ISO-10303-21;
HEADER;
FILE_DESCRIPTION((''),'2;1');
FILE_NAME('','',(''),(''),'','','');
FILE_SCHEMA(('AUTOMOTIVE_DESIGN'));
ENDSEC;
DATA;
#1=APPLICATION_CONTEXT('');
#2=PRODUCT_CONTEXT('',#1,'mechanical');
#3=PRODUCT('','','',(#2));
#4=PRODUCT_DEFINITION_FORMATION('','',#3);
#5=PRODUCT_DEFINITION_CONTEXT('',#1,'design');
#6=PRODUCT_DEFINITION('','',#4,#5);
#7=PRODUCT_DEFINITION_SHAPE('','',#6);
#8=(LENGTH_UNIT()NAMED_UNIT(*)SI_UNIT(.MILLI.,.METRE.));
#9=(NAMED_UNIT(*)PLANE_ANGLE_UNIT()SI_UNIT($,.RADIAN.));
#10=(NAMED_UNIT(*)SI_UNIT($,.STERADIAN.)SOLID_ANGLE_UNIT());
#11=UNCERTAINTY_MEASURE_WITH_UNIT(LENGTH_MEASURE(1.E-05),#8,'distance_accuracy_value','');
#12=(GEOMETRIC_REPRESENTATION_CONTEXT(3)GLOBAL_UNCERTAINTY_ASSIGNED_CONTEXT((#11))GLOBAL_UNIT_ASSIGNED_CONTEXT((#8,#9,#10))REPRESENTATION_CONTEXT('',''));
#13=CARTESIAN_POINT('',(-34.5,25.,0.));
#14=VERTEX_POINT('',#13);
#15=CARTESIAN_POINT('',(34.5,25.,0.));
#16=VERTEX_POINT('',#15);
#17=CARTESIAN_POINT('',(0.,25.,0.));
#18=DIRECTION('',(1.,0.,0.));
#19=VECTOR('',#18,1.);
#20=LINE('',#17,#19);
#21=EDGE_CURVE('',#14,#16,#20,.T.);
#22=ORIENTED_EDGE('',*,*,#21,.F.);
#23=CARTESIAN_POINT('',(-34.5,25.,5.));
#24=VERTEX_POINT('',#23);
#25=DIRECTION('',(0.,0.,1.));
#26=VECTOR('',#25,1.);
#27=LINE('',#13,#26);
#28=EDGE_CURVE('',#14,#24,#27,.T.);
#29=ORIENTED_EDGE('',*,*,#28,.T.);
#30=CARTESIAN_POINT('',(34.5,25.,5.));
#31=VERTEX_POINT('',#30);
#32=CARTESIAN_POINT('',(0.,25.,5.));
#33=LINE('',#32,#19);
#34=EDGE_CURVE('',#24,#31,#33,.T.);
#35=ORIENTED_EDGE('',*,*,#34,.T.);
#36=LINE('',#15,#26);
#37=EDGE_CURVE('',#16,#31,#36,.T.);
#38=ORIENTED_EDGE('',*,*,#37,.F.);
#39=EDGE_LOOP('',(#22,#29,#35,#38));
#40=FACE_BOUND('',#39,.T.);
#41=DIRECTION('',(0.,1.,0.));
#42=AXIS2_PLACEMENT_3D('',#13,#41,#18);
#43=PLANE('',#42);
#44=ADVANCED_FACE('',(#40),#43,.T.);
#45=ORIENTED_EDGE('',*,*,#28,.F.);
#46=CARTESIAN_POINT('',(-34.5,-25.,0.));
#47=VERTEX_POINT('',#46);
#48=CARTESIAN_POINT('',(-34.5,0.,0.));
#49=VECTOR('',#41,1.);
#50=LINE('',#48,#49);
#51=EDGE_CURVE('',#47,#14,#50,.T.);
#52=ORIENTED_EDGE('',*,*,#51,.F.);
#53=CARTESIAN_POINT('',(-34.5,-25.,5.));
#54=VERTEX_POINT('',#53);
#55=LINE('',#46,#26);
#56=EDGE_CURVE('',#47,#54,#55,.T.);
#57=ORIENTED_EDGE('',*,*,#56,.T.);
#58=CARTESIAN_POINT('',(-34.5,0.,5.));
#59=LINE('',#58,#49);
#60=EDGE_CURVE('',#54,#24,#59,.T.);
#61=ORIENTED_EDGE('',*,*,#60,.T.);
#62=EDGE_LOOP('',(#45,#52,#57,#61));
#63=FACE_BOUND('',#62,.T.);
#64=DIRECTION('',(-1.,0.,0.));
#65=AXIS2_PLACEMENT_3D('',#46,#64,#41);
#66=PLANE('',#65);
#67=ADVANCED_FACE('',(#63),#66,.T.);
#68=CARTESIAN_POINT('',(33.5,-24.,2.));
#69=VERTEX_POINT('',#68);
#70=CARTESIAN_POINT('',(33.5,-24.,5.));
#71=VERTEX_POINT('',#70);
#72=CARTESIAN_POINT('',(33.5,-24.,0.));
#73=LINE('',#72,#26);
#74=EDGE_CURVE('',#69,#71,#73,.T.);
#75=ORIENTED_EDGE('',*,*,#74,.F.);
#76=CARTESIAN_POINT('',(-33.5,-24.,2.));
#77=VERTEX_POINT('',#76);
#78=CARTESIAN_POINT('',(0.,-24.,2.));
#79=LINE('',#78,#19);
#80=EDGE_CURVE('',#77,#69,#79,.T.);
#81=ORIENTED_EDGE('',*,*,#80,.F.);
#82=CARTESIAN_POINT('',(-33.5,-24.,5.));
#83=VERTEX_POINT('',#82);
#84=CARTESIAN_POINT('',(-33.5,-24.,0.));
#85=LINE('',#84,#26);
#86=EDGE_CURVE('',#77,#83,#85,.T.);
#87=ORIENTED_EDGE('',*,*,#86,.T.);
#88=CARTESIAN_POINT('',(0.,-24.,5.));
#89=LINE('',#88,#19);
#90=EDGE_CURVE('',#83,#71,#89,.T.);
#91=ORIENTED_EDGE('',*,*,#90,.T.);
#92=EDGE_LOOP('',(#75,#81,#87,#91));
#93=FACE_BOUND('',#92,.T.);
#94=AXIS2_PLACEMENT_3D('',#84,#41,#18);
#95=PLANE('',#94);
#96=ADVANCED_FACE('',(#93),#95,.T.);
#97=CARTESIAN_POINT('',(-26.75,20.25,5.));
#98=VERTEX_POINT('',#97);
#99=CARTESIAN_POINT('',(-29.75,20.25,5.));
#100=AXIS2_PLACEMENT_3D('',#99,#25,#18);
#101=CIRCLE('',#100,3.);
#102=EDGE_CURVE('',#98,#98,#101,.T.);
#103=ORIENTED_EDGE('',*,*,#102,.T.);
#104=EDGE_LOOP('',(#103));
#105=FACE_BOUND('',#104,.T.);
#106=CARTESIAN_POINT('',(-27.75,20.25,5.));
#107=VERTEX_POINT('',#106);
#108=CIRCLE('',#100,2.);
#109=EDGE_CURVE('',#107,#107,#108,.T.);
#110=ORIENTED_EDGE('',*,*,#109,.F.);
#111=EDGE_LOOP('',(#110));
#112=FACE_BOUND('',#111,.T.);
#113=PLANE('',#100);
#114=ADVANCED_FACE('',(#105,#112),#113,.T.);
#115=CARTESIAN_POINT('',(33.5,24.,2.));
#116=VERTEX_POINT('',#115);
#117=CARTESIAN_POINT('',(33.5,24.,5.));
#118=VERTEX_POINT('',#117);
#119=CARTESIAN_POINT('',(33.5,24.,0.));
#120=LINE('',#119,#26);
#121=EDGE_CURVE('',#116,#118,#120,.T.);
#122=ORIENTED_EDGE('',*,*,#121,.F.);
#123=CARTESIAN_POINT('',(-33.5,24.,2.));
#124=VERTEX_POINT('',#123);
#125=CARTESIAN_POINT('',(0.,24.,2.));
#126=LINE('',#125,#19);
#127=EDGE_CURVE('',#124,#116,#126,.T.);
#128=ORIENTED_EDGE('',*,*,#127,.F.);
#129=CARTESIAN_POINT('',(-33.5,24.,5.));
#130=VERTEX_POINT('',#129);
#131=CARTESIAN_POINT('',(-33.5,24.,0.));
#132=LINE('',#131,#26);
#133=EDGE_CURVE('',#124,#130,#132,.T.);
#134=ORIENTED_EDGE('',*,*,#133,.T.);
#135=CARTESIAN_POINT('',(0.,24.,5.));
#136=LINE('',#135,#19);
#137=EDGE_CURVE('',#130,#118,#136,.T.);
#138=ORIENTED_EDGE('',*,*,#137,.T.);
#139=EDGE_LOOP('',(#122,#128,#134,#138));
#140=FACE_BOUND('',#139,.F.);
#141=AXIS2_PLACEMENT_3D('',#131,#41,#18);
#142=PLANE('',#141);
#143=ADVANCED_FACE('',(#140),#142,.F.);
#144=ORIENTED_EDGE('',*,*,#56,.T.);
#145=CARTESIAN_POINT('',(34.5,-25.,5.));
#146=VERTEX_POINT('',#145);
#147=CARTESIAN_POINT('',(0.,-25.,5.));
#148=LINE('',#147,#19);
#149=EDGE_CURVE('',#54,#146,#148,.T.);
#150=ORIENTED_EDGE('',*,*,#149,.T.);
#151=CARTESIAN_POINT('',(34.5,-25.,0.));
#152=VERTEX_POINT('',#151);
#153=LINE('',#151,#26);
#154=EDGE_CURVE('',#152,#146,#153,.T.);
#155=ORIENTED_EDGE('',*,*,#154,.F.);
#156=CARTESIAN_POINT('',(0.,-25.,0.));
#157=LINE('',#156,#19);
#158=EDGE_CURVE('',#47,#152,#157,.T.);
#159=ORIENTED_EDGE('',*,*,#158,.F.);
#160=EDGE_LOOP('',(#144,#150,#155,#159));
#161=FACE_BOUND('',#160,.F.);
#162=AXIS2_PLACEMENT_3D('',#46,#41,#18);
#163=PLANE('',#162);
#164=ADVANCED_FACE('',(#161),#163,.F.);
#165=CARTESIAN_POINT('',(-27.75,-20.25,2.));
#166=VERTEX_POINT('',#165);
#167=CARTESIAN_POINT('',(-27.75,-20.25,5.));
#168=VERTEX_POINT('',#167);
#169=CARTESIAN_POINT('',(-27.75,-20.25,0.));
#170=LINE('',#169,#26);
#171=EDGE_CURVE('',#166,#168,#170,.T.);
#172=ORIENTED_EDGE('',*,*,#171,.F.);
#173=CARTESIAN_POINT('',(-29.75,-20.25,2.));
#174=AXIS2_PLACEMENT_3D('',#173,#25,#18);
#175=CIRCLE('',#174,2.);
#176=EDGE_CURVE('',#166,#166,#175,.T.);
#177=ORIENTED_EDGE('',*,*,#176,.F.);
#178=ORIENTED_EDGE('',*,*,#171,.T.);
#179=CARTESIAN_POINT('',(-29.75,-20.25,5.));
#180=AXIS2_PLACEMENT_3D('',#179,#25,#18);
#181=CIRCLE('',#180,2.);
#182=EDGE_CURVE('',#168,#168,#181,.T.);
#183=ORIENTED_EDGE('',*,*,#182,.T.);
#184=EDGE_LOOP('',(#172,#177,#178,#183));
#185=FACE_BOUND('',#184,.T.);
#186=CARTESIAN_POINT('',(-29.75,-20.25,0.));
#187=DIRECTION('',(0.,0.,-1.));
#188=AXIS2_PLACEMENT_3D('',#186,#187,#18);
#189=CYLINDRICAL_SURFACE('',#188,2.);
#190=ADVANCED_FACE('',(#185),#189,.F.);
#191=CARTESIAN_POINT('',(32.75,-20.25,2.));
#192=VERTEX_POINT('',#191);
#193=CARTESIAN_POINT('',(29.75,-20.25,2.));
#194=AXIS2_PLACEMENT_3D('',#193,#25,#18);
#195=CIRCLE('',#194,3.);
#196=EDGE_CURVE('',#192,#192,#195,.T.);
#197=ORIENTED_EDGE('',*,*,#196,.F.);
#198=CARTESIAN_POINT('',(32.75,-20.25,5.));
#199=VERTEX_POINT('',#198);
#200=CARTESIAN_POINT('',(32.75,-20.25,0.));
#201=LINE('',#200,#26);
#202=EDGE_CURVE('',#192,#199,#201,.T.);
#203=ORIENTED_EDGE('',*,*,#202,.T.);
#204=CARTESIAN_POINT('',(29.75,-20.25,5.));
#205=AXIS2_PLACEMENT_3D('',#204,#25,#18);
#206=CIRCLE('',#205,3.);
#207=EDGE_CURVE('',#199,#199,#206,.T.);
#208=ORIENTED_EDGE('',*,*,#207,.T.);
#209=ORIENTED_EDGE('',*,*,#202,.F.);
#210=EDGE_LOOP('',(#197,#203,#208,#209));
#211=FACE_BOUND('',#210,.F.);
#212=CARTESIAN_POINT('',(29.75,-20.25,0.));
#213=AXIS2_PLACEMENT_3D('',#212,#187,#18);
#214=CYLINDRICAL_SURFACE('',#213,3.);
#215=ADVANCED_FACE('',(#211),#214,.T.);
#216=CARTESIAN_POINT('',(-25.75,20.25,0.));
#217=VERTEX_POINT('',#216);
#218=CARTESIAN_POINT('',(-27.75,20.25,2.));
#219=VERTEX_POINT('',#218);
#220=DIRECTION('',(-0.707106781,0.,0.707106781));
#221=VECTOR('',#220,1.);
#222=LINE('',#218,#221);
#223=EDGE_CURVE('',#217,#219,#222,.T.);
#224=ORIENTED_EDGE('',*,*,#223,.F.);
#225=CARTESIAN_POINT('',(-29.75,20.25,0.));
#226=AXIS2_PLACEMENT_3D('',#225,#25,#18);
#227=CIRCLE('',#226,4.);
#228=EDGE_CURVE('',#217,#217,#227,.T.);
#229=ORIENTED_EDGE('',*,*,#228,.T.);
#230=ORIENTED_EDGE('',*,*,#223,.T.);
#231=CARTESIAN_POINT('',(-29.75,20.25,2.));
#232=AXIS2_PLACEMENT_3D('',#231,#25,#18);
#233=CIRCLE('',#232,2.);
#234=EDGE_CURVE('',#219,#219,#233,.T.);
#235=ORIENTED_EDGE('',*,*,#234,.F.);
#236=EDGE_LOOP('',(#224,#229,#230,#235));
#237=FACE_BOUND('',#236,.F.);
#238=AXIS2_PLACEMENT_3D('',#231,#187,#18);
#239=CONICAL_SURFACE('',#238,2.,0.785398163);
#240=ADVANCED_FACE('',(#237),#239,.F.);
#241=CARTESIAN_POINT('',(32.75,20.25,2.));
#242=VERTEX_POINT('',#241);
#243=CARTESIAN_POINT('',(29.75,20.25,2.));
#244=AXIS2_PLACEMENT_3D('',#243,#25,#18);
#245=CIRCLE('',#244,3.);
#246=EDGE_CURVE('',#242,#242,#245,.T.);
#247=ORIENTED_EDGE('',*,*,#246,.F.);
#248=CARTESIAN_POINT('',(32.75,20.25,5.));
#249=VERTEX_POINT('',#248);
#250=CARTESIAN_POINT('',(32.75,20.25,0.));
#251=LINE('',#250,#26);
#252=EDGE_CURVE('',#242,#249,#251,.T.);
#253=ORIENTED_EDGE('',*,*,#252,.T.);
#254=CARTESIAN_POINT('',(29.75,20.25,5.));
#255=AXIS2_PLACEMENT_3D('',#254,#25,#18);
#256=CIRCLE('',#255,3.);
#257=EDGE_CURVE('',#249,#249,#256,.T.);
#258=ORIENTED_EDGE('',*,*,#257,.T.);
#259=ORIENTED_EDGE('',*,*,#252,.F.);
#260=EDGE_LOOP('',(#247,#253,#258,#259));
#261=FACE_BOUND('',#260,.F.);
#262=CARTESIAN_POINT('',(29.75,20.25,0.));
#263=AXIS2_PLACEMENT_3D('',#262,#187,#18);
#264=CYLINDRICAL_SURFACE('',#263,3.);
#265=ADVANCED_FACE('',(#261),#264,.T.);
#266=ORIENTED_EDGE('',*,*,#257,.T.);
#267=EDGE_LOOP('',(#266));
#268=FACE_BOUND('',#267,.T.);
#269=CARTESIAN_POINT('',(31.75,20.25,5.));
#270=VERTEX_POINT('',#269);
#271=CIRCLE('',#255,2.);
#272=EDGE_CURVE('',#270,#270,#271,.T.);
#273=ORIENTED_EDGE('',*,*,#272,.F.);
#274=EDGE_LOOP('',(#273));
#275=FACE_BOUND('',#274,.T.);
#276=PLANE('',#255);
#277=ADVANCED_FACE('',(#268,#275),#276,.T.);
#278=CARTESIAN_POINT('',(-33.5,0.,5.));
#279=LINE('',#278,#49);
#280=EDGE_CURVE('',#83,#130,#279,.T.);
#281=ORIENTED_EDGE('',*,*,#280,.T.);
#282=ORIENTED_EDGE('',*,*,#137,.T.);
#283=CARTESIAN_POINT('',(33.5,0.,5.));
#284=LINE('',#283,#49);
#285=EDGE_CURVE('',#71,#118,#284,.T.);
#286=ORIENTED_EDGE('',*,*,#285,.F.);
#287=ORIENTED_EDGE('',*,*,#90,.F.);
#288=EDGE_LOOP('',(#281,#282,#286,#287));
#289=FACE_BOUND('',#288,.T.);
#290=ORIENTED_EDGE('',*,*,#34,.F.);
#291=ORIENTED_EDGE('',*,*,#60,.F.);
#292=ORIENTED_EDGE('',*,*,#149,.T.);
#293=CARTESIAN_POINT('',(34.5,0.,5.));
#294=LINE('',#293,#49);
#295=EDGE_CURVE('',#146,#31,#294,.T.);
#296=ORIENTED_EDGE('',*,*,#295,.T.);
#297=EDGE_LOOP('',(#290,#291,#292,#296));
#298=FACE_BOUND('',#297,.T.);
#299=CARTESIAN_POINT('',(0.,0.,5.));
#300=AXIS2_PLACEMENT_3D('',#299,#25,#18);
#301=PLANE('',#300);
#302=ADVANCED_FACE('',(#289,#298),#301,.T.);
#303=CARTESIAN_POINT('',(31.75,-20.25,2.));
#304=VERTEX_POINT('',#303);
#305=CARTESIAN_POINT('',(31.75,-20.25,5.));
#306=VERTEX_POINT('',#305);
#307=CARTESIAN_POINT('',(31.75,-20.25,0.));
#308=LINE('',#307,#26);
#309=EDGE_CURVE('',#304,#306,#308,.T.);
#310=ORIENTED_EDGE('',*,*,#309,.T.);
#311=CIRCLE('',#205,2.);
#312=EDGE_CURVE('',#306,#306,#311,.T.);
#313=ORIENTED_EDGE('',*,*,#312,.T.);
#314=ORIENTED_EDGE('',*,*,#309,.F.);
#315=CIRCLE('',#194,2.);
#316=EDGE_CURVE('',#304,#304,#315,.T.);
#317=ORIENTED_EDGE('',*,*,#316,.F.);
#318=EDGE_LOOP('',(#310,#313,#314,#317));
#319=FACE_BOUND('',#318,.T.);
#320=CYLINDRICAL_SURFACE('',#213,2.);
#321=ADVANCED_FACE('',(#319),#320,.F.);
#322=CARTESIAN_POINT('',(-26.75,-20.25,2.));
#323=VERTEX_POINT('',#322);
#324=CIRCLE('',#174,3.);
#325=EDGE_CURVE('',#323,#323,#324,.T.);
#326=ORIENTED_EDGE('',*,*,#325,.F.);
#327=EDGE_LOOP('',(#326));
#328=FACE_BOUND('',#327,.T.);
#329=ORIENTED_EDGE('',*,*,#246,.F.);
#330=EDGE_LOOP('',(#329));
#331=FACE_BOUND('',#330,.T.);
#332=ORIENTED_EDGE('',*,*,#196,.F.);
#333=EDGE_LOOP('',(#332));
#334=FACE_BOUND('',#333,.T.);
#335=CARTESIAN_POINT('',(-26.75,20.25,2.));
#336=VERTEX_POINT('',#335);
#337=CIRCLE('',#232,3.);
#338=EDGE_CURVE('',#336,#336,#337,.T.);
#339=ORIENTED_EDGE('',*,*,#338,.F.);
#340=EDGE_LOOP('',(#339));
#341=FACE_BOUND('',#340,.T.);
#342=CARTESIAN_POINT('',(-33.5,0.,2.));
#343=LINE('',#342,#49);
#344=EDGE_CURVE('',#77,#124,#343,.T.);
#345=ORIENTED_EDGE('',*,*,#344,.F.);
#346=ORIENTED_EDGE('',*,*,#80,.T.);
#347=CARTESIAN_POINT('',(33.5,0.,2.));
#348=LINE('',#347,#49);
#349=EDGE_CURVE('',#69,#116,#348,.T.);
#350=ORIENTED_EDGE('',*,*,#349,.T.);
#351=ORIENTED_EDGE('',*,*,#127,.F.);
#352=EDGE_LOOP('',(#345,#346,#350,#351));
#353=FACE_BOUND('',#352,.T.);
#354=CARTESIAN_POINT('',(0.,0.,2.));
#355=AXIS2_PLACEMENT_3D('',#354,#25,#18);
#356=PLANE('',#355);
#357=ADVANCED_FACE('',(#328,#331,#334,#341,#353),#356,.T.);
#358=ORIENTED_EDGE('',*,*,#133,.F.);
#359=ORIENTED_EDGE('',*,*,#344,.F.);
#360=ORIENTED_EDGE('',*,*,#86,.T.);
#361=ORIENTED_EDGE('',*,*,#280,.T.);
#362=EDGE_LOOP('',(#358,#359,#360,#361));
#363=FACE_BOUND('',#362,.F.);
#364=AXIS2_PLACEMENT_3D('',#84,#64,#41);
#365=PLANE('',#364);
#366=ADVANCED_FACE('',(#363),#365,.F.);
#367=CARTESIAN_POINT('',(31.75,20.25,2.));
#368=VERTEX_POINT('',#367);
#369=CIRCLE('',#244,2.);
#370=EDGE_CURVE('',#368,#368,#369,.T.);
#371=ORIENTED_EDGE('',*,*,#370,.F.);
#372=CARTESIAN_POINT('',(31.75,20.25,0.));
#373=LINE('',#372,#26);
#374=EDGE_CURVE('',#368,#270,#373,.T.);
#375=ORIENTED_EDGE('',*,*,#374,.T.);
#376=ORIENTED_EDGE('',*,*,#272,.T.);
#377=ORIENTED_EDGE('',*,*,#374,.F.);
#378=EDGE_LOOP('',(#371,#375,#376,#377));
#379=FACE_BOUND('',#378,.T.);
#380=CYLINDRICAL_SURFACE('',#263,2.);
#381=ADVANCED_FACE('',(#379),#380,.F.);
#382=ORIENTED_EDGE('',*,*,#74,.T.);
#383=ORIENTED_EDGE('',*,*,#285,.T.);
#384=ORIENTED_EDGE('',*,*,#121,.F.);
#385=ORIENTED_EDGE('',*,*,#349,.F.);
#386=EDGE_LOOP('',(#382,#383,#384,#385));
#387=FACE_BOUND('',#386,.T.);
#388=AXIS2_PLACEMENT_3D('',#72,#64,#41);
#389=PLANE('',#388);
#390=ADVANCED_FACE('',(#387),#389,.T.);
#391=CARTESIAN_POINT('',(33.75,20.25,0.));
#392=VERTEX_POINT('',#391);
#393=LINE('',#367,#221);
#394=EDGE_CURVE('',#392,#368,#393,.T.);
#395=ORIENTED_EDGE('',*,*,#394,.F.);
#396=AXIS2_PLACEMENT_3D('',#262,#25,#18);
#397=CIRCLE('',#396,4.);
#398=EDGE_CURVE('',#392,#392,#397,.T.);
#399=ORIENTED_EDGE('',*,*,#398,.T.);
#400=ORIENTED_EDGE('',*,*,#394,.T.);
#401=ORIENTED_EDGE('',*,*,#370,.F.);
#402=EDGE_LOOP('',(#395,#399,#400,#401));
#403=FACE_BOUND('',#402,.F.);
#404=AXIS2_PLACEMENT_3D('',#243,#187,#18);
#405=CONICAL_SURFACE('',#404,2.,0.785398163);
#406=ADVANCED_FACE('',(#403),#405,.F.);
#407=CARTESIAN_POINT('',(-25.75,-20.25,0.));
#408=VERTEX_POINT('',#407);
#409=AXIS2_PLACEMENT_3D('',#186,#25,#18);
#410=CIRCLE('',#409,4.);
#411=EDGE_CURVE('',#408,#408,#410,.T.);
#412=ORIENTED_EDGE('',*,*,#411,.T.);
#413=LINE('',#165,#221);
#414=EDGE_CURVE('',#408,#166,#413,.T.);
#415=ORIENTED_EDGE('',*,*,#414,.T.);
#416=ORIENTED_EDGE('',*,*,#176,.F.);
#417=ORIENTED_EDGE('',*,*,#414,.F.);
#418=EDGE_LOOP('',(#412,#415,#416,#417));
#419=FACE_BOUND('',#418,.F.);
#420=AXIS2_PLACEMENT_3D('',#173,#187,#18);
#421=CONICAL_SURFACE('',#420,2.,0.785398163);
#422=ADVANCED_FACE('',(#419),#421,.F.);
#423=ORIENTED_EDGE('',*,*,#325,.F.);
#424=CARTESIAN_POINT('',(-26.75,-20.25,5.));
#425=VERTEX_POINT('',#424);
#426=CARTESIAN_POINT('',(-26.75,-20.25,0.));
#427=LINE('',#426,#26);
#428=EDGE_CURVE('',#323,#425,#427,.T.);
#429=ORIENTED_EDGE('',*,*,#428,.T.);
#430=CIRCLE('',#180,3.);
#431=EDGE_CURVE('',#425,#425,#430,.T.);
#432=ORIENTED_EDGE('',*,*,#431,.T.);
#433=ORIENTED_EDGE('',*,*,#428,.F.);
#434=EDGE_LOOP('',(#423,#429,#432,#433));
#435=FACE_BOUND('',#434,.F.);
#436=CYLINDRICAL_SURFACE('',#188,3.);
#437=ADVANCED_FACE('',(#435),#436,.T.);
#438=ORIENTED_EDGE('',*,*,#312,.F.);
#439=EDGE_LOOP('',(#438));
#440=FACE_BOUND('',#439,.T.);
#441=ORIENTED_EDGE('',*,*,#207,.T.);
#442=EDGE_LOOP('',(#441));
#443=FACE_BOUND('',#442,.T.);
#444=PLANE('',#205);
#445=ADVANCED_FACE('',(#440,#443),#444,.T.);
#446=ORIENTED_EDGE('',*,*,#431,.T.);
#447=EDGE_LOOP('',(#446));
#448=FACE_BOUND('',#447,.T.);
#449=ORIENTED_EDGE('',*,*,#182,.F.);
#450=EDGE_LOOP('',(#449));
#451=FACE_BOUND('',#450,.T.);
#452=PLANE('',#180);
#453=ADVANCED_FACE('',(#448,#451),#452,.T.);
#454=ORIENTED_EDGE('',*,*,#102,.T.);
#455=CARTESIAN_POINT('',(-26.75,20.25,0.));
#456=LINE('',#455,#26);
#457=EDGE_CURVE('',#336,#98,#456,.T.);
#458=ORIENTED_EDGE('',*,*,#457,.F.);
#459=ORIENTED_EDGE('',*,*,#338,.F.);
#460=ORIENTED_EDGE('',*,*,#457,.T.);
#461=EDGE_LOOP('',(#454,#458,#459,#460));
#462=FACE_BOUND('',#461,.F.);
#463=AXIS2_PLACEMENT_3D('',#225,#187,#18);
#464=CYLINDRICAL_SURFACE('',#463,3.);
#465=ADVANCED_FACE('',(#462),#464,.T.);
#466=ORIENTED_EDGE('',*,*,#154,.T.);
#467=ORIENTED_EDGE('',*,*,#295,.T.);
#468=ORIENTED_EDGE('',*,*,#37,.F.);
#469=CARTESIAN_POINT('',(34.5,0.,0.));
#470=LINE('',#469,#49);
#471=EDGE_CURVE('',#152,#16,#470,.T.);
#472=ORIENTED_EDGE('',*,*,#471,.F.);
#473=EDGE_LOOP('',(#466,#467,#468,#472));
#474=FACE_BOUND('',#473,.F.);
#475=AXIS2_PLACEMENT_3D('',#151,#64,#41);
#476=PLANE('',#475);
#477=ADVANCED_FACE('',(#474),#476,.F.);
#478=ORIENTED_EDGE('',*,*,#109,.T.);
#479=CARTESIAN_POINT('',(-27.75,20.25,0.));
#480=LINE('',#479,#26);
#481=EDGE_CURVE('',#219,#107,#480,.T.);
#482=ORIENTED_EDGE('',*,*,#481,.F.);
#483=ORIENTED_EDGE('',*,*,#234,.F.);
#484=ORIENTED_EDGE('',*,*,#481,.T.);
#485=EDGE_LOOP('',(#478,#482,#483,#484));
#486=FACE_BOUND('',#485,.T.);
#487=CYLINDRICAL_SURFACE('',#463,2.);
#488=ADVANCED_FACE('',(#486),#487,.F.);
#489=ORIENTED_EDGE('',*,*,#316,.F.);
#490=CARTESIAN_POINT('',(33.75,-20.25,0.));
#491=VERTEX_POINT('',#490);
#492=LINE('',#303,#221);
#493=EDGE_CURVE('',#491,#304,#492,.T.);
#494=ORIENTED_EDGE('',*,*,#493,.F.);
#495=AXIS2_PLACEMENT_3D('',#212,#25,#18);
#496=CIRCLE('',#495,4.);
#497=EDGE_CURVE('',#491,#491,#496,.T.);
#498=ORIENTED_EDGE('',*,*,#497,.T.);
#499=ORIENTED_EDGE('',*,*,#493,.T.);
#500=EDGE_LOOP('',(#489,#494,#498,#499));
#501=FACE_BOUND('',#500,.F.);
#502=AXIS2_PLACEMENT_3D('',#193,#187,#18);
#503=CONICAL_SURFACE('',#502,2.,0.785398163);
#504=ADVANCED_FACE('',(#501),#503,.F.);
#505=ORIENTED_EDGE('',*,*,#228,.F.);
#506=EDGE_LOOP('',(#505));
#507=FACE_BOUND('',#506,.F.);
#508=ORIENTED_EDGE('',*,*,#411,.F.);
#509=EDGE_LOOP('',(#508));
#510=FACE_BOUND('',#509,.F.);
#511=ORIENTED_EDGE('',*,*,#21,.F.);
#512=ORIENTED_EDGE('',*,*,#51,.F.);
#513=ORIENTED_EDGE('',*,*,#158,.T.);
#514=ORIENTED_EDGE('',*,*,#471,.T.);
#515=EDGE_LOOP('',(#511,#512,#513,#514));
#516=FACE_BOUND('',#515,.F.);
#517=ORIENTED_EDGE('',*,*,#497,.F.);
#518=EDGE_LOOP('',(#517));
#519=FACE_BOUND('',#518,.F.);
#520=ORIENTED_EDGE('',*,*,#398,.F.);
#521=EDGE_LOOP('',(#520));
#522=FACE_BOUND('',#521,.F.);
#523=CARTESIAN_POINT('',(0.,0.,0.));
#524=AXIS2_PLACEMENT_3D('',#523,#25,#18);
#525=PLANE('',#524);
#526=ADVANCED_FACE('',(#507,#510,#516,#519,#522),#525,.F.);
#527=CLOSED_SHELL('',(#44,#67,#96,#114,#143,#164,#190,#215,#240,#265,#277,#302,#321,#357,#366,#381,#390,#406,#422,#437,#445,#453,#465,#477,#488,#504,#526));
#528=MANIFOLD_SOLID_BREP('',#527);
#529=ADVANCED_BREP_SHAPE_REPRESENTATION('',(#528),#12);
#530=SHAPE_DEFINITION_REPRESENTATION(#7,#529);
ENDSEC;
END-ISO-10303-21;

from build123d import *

# Parameters (mm, degrees)
F0_W     = 67
F0_H     = 48
F0_R     = 3
F1_DEPTH = 2
F0_R_2   = 2
F2_DEPTH = 5
F0_W_2   = 69
F0_H_2   = 50
F3_DEPTH = 5
F4_SIZE  = 2


with BuildPart() as f1:
    # F0 (on Top) → F1 (new body)
    with BuildSketch(Plane.XY):
        Rectangle(F0_W, F0_H)
        with Locations((-29.75, -20.25)):
            Circle(F0_R, mode=Mode.SUBTRACT)
        with Locations((29.75, -20.25)):
            Circle(F0_R, mode=Mode.SUBTRACT)
        with Locations((-29.75, 20.25)):
            Circle(F0_R, mode=Mode.SUBTRACT)
        with Locations((29.75, 20.25)):
            Circle(F0_R, mode=Mode.SUBTRACT)
    extrude(amount=F1_DEPTH)

    # F0 (on Top) → F2 (join)
    with BuildSketch(Plane.XY):
        with Locations((-29.75, 20.25)):
            Circle(F0_R)
        with Locations((-29.75, 20.25)):
            Circle(F0_R_2, mode=Mode.SUBTRACT)
        with Locations((29.75, 20.25)):
            Circle(F0_R)
        with Locations((29.75, 20.25)):
            Circle(F0_R_2, mode=Mode.SUBTRACT)
        with Locations((29.75, -20.25)):
            Circle(F0_R)
        with Locations((29.75, -20.25)):
            Circle(F0_R_2, mode=Mode.SUBTRACT)
        with Locations((-29.75, -20.25)):
            Circle(F0_R)
        with Locations((-29.75, -20.25)):
            Circle(F0_R_2, mode=Mode.SUBTRACT)
    extrude(amount=F2_DEPTH)

    # F0 (on Top) → F3 (join)
    with BuildSketch(Plane.XY):
        Rectangle(F0_W_2, F0_H_2)
        Rectangle(F0_W, F0_H, mode=Mode.SUBTRACT)
    extrude(amount=F3_DEPTH)

    # F4
    f4_edges = [f1.edges().sort_by_distance(p)[0] for p in [
        (27.75, -20.25, 0),
        (27.75, 20.25, 0),
        (-31.75, 20.25, 0),
        (-31.75, -20.25, 0),
    ]]
    chamfer(f4_edges, length=F4_SIZE)


solid = f1.part
